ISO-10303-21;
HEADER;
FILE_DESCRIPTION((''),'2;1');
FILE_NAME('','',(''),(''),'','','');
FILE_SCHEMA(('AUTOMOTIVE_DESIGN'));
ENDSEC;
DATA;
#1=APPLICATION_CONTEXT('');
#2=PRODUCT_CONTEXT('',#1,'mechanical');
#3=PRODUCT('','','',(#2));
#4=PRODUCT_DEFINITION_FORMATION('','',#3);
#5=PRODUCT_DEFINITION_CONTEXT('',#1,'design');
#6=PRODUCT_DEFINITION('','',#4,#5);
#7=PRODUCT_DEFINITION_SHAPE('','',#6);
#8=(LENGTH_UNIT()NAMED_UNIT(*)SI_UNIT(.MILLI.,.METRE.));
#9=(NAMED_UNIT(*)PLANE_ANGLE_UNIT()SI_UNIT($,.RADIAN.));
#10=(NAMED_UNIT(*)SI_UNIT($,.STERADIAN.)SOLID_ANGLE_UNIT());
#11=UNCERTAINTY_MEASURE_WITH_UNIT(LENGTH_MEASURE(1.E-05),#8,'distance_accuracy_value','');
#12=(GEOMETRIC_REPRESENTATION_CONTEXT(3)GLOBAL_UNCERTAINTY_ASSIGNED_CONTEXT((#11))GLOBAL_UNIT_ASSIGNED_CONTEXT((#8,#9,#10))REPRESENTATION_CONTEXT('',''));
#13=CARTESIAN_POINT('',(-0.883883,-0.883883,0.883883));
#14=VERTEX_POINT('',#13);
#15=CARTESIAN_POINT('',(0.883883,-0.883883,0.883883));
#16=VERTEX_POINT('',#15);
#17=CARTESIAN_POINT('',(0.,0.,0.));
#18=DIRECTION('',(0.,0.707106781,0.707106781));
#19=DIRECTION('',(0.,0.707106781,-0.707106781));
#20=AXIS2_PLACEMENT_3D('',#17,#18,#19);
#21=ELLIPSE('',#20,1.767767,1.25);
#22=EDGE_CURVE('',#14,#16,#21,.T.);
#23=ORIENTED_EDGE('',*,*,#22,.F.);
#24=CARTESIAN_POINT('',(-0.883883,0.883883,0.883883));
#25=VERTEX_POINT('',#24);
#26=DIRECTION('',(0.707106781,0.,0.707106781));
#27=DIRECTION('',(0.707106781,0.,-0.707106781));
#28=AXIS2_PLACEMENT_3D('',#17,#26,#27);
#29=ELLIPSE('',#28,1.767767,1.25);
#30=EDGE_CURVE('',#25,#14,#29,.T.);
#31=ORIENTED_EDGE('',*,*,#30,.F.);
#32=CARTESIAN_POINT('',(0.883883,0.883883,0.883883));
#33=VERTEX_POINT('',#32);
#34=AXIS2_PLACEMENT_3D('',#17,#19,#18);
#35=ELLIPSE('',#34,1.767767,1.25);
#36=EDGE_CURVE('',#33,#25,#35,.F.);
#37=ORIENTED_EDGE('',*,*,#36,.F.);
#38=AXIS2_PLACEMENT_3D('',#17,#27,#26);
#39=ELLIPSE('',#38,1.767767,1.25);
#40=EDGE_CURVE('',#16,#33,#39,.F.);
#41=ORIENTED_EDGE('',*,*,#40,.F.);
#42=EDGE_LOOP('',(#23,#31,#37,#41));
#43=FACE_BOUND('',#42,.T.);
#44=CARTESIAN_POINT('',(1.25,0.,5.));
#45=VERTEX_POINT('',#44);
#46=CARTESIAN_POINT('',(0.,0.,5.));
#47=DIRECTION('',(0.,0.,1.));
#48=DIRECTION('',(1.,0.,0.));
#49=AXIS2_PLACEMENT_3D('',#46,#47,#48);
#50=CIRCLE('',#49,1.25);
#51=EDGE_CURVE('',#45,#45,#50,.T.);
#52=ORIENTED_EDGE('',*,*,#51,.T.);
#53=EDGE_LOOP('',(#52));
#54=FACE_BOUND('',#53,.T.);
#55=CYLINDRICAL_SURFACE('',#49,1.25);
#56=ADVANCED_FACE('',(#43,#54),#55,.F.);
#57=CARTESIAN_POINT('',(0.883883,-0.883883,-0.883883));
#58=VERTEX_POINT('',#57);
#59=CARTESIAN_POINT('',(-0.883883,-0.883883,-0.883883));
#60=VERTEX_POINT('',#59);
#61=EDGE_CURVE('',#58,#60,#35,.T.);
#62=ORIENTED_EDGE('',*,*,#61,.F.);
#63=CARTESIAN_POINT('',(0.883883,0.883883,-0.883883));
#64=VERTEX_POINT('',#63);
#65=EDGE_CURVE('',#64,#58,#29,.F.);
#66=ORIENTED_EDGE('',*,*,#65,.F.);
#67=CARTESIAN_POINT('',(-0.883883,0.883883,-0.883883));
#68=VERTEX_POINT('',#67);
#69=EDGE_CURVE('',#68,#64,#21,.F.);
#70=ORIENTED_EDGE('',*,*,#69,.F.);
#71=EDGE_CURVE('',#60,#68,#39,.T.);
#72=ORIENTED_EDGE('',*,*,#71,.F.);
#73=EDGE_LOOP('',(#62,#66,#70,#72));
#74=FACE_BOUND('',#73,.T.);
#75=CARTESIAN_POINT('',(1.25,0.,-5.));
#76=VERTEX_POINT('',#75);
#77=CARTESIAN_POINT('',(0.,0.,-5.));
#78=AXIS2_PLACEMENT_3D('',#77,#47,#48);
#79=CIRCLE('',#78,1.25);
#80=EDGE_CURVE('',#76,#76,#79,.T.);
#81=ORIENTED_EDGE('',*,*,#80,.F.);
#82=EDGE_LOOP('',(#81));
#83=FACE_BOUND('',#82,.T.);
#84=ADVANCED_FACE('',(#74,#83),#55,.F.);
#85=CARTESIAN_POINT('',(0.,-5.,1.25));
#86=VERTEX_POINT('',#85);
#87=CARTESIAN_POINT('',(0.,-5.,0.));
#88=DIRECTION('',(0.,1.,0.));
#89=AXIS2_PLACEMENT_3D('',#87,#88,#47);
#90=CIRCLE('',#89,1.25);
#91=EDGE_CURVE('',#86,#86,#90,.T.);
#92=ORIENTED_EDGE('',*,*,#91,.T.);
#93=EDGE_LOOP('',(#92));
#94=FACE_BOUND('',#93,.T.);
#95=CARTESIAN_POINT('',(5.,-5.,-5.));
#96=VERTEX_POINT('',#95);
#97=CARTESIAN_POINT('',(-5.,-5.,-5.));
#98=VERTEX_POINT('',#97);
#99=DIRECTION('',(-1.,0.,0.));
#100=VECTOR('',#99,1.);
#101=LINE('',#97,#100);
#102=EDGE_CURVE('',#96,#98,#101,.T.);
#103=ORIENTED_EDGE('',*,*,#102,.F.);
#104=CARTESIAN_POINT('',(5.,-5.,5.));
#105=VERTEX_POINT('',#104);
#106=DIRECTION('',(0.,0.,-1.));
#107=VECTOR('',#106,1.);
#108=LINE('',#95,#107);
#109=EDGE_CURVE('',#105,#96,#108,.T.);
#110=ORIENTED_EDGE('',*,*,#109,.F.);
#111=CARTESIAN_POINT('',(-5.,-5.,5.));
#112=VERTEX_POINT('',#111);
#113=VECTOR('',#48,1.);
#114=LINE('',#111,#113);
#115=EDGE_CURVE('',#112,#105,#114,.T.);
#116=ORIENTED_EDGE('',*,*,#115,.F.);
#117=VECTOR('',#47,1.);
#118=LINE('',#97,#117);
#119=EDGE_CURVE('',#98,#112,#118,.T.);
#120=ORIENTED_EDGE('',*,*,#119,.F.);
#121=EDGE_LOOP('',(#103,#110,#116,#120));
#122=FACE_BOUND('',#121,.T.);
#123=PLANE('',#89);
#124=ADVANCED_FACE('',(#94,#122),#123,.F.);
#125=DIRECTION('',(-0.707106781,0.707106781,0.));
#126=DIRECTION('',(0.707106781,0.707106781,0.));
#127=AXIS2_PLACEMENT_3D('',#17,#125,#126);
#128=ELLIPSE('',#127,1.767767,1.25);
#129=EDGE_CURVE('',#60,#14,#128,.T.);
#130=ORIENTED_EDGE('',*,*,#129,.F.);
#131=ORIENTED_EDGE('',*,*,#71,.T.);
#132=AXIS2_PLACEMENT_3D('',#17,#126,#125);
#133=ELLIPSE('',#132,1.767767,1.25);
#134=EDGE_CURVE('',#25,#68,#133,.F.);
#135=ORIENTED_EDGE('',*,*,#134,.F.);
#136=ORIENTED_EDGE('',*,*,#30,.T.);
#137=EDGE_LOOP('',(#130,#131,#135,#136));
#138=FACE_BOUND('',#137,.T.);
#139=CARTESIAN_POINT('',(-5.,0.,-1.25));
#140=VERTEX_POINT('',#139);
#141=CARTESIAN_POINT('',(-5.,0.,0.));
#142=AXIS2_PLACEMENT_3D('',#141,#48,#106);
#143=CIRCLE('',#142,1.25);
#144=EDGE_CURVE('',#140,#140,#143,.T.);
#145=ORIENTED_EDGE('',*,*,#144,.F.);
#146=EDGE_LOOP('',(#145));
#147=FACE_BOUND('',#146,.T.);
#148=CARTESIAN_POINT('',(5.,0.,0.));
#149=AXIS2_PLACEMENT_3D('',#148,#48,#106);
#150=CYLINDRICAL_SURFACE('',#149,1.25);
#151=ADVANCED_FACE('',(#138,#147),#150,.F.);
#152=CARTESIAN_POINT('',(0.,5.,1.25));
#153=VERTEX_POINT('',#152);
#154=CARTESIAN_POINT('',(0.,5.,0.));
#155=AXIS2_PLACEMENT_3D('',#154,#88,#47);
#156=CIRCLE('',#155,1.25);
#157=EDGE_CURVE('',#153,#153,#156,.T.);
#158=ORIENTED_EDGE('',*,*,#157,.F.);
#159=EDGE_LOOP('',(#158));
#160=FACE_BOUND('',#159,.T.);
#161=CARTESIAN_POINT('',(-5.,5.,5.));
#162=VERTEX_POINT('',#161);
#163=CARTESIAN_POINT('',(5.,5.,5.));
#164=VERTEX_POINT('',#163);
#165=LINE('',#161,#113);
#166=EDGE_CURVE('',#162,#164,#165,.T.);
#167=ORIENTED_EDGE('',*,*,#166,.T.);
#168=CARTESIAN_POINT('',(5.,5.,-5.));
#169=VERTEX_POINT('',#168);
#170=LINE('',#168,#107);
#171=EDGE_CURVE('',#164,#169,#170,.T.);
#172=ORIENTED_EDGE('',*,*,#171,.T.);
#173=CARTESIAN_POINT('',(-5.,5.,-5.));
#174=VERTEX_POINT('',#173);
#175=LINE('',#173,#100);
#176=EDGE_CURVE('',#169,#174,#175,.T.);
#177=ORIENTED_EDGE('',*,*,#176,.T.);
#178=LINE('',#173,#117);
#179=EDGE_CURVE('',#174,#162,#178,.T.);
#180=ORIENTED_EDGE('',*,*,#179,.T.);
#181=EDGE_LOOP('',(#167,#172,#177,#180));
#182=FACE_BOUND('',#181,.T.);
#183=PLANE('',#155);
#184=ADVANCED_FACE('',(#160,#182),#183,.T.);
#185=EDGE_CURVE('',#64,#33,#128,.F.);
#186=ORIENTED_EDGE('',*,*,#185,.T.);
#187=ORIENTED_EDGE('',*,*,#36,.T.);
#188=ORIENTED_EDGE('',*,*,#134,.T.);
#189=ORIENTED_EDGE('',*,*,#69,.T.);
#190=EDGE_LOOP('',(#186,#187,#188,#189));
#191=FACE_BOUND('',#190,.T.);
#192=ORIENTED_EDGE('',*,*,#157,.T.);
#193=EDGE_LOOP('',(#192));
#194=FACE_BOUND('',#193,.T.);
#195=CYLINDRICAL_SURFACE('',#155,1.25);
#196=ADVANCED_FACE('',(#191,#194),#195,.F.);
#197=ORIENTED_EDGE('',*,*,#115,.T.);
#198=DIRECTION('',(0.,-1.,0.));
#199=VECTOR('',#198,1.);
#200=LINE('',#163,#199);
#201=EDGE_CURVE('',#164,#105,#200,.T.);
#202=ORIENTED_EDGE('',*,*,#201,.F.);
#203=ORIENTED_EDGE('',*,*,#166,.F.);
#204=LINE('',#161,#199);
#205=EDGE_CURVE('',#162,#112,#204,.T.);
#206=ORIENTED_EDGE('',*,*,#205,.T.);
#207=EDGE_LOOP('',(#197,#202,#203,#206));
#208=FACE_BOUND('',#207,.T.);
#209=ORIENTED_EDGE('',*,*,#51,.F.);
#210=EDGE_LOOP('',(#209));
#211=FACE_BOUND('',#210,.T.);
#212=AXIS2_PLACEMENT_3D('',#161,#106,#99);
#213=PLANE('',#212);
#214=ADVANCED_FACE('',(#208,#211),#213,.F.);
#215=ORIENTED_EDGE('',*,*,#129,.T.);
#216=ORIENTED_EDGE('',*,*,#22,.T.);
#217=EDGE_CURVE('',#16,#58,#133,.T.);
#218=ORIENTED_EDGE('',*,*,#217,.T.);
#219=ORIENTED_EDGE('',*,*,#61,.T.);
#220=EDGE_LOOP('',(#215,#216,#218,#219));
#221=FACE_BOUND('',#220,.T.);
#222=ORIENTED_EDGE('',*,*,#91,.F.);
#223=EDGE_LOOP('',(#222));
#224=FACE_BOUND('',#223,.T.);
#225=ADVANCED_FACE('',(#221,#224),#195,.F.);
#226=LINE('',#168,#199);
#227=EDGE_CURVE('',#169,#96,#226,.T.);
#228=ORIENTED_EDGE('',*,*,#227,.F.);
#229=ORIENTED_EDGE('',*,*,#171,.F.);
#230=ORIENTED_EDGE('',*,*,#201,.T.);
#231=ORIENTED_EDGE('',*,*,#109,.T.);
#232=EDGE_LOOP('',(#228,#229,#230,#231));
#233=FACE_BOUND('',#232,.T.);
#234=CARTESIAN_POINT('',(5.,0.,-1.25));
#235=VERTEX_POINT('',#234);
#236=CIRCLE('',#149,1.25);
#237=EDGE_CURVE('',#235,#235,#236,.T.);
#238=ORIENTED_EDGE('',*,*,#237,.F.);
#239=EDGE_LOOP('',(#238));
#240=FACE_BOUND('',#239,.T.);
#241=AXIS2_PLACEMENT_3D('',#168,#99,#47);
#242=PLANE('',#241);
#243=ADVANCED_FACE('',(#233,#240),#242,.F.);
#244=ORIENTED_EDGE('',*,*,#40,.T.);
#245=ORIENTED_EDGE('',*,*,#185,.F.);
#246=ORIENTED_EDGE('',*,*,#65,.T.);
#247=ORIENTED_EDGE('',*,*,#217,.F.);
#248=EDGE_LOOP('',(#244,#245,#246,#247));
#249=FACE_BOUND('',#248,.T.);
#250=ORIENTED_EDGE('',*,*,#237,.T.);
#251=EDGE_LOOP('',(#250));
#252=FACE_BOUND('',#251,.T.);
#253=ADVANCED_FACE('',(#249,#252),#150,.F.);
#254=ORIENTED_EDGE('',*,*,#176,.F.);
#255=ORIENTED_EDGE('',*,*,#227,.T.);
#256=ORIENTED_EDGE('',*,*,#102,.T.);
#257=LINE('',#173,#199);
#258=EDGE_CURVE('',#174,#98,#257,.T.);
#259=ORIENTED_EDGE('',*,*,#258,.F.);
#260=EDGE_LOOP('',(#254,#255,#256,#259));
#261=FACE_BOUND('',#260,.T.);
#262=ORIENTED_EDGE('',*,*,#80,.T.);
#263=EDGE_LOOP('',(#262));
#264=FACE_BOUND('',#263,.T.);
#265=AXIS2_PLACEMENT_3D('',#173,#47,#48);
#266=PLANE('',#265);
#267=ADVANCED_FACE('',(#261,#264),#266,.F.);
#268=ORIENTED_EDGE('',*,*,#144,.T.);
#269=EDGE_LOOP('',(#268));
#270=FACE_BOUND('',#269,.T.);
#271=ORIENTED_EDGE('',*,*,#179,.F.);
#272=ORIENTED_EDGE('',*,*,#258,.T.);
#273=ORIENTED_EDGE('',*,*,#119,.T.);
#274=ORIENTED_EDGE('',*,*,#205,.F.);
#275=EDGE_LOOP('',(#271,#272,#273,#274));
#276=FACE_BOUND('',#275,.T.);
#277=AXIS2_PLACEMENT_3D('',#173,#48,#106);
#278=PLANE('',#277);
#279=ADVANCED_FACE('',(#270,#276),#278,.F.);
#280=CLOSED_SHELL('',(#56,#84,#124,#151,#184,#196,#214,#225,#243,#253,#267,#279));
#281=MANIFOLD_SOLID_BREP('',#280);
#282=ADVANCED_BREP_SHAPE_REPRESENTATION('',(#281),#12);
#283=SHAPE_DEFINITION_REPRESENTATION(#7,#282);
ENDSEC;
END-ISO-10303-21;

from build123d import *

# Parameters (mm, degrees)
SKETCH_1_W      = 10
SKETCH_1_H      = 10
EXTRUDE_1_DEPTH = 5
HOLE_WIZARD_1_D = 2.5
HOLE_WIZARD_2_D = 2.5
HOLE_WIZARD_3_D = 2.5


with BuildPart() as part:
    # 草图1 → 凸台-拉伸1 (new, symmetric)
    with BuildSketch(Plane(origin=(0, 0, 0), x_dir=(1, 0, 0), z_dir=(0, 1, 0))):
        Rectangle(SKETCH_1_W, SKETCH_1_H)
    extrude(amount=EXTRUDE_1_DEPTH, both=True)

    # Hole Wizard 1 (through all)
    with Locations(Plane(origin=(0, 5, 0), x_dir=(1, 0, 0), z_dir=(0, 1, 0))):
        with Locations((0, 0)):
            Hole(HOLE_WIZARD_1_D / 2)

    # Hole Wizard 2 (through all)
    with Locations(Plane(origin=(5, 0, 0), x_dir=(0, 0, -1), z_dir=(1, 0, 0))):
        with Locations((0, 0)):
            Hole(HOLE_WIZARD_2_D / 2)

    # Hole Wizard 3 (through all)
    with Locations(Plane.XY.offset(5)):
        with Locations((0, 0)):
            Hole(HOLE_WIZARD_3_D / 2)


solid = part.part
